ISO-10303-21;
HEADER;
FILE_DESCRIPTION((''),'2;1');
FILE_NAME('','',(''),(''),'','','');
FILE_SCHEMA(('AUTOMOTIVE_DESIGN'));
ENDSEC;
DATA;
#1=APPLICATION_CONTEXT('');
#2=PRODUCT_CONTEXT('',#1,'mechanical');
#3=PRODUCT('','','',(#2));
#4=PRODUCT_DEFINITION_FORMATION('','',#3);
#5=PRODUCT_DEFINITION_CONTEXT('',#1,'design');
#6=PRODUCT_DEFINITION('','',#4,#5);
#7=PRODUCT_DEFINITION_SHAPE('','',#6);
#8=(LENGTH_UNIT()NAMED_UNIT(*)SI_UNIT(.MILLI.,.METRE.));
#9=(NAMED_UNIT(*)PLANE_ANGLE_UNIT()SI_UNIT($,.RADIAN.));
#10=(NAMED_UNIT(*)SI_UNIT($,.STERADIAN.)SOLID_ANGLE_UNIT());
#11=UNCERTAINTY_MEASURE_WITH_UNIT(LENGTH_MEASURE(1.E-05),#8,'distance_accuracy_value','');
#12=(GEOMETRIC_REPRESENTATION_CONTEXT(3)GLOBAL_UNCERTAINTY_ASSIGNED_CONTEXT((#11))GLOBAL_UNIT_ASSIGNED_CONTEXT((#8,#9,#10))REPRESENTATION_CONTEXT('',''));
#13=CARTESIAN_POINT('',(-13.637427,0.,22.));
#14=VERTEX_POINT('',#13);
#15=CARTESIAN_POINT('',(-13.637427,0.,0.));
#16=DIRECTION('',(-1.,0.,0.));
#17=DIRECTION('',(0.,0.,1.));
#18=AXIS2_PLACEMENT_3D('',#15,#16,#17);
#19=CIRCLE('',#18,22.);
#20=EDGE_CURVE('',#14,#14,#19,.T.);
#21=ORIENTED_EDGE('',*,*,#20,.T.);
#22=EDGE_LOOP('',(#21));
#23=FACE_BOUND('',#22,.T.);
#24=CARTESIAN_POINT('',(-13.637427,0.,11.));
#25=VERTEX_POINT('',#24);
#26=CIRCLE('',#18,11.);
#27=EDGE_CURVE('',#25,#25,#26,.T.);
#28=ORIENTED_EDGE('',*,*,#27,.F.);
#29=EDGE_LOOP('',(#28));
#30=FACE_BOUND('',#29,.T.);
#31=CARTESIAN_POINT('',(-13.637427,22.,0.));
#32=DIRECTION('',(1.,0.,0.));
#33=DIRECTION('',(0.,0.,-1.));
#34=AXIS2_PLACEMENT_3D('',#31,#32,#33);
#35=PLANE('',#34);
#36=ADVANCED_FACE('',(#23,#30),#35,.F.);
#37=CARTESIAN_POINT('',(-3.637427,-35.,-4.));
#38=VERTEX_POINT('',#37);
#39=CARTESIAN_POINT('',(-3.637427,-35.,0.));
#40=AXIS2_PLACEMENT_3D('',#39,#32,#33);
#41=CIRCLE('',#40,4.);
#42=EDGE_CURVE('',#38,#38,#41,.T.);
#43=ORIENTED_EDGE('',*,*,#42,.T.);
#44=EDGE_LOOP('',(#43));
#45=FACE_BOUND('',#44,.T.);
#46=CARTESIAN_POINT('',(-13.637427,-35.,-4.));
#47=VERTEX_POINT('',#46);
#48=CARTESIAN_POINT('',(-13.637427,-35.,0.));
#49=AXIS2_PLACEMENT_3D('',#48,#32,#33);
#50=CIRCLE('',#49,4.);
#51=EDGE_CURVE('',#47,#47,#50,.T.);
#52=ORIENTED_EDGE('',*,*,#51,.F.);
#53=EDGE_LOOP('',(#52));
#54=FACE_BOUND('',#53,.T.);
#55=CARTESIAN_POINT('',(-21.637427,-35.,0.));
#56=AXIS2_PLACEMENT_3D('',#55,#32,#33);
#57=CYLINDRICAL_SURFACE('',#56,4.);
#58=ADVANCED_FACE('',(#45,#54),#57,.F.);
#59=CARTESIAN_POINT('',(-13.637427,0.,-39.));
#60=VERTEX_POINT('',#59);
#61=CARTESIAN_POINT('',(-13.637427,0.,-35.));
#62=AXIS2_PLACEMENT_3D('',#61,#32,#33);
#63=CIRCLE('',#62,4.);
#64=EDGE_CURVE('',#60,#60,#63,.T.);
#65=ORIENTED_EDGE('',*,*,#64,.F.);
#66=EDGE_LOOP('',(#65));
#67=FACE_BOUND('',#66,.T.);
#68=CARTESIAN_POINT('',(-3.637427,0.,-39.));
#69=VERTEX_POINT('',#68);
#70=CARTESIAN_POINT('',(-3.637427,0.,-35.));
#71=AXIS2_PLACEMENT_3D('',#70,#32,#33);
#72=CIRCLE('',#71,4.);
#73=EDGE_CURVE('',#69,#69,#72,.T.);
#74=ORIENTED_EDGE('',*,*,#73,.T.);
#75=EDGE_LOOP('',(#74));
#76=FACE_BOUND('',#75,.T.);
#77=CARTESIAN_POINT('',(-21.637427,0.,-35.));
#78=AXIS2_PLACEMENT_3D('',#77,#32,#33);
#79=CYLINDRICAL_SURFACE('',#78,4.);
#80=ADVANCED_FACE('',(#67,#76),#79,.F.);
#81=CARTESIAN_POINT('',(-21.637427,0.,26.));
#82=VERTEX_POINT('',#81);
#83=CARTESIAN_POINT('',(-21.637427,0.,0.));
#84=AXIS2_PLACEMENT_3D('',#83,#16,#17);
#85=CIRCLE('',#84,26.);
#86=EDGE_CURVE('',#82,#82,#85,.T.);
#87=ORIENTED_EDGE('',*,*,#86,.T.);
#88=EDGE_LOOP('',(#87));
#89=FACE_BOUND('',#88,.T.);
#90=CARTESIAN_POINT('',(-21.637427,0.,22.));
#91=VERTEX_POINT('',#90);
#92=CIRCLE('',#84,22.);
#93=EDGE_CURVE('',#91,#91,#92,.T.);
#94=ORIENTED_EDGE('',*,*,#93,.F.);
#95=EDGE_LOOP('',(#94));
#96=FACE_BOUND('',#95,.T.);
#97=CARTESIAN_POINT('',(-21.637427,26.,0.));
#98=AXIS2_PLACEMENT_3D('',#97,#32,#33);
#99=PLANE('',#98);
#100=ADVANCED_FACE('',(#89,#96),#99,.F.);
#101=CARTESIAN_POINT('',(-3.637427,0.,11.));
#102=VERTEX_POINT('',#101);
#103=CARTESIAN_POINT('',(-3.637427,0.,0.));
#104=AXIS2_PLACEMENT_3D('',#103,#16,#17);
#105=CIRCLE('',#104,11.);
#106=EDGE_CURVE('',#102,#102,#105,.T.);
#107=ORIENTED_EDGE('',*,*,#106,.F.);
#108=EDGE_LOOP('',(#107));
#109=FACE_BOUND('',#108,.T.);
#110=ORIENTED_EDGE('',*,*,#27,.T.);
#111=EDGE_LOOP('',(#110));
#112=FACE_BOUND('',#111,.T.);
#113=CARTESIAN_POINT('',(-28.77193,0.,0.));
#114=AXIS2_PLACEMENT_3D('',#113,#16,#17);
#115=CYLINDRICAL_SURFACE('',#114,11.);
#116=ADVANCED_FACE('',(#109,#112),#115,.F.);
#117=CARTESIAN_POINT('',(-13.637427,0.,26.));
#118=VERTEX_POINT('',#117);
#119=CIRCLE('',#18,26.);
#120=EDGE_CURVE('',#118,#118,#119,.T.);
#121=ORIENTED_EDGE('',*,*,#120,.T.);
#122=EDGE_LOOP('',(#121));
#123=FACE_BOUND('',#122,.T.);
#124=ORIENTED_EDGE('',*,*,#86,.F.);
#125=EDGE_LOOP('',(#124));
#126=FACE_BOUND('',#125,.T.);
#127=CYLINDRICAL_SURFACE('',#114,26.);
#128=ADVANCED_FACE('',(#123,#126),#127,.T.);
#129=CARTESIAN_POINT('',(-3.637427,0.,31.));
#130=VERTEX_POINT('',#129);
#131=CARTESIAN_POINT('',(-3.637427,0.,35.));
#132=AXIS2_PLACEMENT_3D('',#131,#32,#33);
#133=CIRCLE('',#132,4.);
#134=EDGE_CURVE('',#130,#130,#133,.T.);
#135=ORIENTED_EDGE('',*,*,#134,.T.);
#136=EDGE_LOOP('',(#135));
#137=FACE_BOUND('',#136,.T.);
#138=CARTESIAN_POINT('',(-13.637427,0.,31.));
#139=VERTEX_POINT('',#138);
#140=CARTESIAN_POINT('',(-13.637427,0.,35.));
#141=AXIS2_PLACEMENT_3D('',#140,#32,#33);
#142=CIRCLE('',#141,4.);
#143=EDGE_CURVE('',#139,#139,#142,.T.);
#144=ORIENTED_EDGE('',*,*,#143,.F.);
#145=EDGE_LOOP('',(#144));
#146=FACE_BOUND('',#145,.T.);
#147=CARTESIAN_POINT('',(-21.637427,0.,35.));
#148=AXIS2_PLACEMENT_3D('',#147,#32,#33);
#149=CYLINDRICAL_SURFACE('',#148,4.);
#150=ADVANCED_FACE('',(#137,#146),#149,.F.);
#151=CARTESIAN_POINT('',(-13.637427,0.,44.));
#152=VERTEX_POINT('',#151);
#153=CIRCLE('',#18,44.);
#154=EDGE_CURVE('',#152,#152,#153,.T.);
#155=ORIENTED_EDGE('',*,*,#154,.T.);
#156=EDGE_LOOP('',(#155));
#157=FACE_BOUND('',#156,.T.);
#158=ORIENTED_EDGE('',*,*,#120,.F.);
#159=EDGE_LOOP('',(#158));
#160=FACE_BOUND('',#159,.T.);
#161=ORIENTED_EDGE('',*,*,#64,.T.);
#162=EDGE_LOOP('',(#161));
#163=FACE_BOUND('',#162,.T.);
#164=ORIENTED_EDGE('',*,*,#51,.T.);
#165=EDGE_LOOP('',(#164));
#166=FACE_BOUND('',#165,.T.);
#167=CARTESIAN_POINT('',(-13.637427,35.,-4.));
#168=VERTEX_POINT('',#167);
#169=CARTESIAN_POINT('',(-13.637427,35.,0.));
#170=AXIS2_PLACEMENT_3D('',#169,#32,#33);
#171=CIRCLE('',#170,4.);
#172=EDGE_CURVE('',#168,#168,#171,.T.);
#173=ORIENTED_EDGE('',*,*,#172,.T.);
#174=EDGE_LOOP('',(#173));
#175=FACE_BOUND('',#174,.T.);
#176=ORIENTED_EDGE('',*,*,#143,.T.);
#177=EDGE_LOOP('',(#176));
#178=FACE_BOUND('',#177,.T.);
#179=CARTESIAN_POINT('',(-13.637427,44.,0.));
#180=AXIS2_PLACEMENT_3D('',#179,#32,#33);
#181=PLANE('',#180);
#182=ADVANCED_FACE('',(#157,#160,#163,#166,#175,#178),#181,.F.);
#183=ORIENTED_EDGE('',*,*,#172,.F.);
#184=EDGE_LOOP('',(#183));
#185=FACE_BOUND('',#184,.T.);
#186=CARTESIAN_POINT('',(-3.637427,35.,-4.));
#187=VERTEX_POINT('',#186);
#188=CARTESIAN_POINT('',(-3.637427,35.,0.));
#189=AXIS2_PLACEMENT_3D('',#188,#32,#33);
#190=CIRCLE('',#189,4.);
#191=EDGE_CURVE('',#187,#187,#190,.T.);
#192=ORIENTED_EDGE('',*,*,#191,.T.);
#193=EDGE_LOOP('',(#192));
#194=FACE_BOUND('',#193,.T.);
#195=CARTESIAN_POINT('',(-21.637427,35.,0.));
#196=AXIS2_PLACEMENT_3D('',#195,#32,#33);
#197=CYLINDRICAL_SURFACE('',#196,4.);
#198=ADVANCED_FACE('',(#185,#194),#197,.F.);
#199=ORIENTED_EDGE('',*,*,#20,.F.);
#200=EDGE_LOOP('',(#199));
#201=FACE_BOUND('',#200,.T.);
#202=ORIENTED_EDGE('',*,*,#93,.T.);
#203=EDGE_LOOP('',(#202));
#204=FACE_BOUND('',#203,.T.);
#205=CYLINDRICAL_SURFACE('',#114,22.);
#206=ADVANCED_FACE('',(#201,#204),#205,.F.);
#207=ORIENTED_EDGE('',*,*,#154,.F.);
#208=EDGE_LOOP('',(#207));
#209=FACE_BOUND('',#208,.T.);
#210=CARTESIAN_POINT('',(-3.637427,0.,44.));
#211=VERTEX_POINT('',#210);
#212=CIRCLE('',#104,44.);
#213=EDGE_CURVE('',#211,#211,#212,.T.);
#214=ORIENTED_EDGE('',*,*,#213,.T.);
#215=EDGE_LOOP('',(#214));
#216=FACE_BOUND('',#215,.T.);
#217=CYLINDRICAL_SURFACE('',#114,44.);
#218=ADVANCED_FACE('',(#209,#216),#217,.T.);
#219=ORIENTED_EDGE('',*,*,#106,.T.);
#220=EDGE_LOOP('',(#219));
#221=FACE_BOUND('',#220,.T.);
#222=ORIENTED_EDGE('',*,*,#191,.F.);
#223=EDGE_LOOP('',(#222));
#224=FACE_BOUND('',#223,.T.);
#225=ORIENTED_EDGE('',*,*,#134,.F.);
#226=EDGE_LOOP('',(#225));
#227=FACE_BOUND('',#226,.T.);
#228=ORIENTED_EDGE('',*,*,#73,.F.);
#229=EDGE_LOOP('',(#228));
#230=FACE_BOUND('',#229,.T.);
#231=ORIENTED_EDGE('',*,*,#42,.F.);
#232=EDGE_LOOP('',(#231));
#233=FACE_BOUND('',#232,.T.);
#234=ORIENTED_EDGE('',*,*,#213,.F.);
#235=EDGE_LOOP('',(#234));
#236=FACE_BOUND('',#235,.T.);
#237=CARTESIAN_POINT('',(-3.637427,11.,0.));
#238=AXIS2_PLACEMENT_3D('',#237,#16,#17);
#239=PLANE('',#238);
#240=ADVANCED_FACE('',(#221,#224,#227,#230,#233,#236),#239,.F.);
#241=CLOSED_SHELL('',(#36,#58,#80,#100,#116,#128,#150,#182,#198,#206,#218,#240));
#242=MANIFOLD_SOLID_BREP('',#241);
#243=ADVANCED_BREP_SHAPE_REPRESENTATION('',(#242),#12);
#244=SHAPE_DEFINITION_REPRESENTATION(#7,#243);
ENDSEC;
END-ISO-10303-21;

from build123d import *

# Parameters (mm, degrees)
SKETCH2_R          = 4
CUT_EXTRUDE1_DEPTH = 65.776538963


with BuildPart() as part:
    # Sketch1 → Revolve1 (revolve)
    with BuildSketch(Plane.XY, mode=Mode.PRIVATE) as revolve1_sk:
        Polygon((-13.637426901, 11), (-3.637426901, 11), (-3.637426901, 44), (-13.637426901, 44), (-13.637426901, 26), (-21.637426901, 26), (-21.637426901, 22), (-13.637426901, 22), align=None)
    revolve(revolve1_sk.sketch.rotate(Axis((-28.771929825, 0, 0), (1, 0, 0)), 90), axis=Axis((-28.771929825, 0, 0), (1, 0, 0)))

    # Sketch2 → Cut-Extrude1 (cut, through all)
    with BuildSketch(Plane(origin=(-3.637426901, 0, 0), x_dir=(0, 0, -1), z_dir=(1, 0, 0))):
        with Locations((0, 35)):
            Circle(SKETCH2_R)
        with Locations((35, 0)):
            Circle(SKETCH2_R)
        with Locations((0, -35)):
            Circle(SKETCH2_R)
        with Locations((-35, 0)):
            Circle(SKETCH2_R)
    extrude(amount=-CUT_EXTRUDE1_DEPTH, mode=Mode.SUBTRACT)


solid = part.part
